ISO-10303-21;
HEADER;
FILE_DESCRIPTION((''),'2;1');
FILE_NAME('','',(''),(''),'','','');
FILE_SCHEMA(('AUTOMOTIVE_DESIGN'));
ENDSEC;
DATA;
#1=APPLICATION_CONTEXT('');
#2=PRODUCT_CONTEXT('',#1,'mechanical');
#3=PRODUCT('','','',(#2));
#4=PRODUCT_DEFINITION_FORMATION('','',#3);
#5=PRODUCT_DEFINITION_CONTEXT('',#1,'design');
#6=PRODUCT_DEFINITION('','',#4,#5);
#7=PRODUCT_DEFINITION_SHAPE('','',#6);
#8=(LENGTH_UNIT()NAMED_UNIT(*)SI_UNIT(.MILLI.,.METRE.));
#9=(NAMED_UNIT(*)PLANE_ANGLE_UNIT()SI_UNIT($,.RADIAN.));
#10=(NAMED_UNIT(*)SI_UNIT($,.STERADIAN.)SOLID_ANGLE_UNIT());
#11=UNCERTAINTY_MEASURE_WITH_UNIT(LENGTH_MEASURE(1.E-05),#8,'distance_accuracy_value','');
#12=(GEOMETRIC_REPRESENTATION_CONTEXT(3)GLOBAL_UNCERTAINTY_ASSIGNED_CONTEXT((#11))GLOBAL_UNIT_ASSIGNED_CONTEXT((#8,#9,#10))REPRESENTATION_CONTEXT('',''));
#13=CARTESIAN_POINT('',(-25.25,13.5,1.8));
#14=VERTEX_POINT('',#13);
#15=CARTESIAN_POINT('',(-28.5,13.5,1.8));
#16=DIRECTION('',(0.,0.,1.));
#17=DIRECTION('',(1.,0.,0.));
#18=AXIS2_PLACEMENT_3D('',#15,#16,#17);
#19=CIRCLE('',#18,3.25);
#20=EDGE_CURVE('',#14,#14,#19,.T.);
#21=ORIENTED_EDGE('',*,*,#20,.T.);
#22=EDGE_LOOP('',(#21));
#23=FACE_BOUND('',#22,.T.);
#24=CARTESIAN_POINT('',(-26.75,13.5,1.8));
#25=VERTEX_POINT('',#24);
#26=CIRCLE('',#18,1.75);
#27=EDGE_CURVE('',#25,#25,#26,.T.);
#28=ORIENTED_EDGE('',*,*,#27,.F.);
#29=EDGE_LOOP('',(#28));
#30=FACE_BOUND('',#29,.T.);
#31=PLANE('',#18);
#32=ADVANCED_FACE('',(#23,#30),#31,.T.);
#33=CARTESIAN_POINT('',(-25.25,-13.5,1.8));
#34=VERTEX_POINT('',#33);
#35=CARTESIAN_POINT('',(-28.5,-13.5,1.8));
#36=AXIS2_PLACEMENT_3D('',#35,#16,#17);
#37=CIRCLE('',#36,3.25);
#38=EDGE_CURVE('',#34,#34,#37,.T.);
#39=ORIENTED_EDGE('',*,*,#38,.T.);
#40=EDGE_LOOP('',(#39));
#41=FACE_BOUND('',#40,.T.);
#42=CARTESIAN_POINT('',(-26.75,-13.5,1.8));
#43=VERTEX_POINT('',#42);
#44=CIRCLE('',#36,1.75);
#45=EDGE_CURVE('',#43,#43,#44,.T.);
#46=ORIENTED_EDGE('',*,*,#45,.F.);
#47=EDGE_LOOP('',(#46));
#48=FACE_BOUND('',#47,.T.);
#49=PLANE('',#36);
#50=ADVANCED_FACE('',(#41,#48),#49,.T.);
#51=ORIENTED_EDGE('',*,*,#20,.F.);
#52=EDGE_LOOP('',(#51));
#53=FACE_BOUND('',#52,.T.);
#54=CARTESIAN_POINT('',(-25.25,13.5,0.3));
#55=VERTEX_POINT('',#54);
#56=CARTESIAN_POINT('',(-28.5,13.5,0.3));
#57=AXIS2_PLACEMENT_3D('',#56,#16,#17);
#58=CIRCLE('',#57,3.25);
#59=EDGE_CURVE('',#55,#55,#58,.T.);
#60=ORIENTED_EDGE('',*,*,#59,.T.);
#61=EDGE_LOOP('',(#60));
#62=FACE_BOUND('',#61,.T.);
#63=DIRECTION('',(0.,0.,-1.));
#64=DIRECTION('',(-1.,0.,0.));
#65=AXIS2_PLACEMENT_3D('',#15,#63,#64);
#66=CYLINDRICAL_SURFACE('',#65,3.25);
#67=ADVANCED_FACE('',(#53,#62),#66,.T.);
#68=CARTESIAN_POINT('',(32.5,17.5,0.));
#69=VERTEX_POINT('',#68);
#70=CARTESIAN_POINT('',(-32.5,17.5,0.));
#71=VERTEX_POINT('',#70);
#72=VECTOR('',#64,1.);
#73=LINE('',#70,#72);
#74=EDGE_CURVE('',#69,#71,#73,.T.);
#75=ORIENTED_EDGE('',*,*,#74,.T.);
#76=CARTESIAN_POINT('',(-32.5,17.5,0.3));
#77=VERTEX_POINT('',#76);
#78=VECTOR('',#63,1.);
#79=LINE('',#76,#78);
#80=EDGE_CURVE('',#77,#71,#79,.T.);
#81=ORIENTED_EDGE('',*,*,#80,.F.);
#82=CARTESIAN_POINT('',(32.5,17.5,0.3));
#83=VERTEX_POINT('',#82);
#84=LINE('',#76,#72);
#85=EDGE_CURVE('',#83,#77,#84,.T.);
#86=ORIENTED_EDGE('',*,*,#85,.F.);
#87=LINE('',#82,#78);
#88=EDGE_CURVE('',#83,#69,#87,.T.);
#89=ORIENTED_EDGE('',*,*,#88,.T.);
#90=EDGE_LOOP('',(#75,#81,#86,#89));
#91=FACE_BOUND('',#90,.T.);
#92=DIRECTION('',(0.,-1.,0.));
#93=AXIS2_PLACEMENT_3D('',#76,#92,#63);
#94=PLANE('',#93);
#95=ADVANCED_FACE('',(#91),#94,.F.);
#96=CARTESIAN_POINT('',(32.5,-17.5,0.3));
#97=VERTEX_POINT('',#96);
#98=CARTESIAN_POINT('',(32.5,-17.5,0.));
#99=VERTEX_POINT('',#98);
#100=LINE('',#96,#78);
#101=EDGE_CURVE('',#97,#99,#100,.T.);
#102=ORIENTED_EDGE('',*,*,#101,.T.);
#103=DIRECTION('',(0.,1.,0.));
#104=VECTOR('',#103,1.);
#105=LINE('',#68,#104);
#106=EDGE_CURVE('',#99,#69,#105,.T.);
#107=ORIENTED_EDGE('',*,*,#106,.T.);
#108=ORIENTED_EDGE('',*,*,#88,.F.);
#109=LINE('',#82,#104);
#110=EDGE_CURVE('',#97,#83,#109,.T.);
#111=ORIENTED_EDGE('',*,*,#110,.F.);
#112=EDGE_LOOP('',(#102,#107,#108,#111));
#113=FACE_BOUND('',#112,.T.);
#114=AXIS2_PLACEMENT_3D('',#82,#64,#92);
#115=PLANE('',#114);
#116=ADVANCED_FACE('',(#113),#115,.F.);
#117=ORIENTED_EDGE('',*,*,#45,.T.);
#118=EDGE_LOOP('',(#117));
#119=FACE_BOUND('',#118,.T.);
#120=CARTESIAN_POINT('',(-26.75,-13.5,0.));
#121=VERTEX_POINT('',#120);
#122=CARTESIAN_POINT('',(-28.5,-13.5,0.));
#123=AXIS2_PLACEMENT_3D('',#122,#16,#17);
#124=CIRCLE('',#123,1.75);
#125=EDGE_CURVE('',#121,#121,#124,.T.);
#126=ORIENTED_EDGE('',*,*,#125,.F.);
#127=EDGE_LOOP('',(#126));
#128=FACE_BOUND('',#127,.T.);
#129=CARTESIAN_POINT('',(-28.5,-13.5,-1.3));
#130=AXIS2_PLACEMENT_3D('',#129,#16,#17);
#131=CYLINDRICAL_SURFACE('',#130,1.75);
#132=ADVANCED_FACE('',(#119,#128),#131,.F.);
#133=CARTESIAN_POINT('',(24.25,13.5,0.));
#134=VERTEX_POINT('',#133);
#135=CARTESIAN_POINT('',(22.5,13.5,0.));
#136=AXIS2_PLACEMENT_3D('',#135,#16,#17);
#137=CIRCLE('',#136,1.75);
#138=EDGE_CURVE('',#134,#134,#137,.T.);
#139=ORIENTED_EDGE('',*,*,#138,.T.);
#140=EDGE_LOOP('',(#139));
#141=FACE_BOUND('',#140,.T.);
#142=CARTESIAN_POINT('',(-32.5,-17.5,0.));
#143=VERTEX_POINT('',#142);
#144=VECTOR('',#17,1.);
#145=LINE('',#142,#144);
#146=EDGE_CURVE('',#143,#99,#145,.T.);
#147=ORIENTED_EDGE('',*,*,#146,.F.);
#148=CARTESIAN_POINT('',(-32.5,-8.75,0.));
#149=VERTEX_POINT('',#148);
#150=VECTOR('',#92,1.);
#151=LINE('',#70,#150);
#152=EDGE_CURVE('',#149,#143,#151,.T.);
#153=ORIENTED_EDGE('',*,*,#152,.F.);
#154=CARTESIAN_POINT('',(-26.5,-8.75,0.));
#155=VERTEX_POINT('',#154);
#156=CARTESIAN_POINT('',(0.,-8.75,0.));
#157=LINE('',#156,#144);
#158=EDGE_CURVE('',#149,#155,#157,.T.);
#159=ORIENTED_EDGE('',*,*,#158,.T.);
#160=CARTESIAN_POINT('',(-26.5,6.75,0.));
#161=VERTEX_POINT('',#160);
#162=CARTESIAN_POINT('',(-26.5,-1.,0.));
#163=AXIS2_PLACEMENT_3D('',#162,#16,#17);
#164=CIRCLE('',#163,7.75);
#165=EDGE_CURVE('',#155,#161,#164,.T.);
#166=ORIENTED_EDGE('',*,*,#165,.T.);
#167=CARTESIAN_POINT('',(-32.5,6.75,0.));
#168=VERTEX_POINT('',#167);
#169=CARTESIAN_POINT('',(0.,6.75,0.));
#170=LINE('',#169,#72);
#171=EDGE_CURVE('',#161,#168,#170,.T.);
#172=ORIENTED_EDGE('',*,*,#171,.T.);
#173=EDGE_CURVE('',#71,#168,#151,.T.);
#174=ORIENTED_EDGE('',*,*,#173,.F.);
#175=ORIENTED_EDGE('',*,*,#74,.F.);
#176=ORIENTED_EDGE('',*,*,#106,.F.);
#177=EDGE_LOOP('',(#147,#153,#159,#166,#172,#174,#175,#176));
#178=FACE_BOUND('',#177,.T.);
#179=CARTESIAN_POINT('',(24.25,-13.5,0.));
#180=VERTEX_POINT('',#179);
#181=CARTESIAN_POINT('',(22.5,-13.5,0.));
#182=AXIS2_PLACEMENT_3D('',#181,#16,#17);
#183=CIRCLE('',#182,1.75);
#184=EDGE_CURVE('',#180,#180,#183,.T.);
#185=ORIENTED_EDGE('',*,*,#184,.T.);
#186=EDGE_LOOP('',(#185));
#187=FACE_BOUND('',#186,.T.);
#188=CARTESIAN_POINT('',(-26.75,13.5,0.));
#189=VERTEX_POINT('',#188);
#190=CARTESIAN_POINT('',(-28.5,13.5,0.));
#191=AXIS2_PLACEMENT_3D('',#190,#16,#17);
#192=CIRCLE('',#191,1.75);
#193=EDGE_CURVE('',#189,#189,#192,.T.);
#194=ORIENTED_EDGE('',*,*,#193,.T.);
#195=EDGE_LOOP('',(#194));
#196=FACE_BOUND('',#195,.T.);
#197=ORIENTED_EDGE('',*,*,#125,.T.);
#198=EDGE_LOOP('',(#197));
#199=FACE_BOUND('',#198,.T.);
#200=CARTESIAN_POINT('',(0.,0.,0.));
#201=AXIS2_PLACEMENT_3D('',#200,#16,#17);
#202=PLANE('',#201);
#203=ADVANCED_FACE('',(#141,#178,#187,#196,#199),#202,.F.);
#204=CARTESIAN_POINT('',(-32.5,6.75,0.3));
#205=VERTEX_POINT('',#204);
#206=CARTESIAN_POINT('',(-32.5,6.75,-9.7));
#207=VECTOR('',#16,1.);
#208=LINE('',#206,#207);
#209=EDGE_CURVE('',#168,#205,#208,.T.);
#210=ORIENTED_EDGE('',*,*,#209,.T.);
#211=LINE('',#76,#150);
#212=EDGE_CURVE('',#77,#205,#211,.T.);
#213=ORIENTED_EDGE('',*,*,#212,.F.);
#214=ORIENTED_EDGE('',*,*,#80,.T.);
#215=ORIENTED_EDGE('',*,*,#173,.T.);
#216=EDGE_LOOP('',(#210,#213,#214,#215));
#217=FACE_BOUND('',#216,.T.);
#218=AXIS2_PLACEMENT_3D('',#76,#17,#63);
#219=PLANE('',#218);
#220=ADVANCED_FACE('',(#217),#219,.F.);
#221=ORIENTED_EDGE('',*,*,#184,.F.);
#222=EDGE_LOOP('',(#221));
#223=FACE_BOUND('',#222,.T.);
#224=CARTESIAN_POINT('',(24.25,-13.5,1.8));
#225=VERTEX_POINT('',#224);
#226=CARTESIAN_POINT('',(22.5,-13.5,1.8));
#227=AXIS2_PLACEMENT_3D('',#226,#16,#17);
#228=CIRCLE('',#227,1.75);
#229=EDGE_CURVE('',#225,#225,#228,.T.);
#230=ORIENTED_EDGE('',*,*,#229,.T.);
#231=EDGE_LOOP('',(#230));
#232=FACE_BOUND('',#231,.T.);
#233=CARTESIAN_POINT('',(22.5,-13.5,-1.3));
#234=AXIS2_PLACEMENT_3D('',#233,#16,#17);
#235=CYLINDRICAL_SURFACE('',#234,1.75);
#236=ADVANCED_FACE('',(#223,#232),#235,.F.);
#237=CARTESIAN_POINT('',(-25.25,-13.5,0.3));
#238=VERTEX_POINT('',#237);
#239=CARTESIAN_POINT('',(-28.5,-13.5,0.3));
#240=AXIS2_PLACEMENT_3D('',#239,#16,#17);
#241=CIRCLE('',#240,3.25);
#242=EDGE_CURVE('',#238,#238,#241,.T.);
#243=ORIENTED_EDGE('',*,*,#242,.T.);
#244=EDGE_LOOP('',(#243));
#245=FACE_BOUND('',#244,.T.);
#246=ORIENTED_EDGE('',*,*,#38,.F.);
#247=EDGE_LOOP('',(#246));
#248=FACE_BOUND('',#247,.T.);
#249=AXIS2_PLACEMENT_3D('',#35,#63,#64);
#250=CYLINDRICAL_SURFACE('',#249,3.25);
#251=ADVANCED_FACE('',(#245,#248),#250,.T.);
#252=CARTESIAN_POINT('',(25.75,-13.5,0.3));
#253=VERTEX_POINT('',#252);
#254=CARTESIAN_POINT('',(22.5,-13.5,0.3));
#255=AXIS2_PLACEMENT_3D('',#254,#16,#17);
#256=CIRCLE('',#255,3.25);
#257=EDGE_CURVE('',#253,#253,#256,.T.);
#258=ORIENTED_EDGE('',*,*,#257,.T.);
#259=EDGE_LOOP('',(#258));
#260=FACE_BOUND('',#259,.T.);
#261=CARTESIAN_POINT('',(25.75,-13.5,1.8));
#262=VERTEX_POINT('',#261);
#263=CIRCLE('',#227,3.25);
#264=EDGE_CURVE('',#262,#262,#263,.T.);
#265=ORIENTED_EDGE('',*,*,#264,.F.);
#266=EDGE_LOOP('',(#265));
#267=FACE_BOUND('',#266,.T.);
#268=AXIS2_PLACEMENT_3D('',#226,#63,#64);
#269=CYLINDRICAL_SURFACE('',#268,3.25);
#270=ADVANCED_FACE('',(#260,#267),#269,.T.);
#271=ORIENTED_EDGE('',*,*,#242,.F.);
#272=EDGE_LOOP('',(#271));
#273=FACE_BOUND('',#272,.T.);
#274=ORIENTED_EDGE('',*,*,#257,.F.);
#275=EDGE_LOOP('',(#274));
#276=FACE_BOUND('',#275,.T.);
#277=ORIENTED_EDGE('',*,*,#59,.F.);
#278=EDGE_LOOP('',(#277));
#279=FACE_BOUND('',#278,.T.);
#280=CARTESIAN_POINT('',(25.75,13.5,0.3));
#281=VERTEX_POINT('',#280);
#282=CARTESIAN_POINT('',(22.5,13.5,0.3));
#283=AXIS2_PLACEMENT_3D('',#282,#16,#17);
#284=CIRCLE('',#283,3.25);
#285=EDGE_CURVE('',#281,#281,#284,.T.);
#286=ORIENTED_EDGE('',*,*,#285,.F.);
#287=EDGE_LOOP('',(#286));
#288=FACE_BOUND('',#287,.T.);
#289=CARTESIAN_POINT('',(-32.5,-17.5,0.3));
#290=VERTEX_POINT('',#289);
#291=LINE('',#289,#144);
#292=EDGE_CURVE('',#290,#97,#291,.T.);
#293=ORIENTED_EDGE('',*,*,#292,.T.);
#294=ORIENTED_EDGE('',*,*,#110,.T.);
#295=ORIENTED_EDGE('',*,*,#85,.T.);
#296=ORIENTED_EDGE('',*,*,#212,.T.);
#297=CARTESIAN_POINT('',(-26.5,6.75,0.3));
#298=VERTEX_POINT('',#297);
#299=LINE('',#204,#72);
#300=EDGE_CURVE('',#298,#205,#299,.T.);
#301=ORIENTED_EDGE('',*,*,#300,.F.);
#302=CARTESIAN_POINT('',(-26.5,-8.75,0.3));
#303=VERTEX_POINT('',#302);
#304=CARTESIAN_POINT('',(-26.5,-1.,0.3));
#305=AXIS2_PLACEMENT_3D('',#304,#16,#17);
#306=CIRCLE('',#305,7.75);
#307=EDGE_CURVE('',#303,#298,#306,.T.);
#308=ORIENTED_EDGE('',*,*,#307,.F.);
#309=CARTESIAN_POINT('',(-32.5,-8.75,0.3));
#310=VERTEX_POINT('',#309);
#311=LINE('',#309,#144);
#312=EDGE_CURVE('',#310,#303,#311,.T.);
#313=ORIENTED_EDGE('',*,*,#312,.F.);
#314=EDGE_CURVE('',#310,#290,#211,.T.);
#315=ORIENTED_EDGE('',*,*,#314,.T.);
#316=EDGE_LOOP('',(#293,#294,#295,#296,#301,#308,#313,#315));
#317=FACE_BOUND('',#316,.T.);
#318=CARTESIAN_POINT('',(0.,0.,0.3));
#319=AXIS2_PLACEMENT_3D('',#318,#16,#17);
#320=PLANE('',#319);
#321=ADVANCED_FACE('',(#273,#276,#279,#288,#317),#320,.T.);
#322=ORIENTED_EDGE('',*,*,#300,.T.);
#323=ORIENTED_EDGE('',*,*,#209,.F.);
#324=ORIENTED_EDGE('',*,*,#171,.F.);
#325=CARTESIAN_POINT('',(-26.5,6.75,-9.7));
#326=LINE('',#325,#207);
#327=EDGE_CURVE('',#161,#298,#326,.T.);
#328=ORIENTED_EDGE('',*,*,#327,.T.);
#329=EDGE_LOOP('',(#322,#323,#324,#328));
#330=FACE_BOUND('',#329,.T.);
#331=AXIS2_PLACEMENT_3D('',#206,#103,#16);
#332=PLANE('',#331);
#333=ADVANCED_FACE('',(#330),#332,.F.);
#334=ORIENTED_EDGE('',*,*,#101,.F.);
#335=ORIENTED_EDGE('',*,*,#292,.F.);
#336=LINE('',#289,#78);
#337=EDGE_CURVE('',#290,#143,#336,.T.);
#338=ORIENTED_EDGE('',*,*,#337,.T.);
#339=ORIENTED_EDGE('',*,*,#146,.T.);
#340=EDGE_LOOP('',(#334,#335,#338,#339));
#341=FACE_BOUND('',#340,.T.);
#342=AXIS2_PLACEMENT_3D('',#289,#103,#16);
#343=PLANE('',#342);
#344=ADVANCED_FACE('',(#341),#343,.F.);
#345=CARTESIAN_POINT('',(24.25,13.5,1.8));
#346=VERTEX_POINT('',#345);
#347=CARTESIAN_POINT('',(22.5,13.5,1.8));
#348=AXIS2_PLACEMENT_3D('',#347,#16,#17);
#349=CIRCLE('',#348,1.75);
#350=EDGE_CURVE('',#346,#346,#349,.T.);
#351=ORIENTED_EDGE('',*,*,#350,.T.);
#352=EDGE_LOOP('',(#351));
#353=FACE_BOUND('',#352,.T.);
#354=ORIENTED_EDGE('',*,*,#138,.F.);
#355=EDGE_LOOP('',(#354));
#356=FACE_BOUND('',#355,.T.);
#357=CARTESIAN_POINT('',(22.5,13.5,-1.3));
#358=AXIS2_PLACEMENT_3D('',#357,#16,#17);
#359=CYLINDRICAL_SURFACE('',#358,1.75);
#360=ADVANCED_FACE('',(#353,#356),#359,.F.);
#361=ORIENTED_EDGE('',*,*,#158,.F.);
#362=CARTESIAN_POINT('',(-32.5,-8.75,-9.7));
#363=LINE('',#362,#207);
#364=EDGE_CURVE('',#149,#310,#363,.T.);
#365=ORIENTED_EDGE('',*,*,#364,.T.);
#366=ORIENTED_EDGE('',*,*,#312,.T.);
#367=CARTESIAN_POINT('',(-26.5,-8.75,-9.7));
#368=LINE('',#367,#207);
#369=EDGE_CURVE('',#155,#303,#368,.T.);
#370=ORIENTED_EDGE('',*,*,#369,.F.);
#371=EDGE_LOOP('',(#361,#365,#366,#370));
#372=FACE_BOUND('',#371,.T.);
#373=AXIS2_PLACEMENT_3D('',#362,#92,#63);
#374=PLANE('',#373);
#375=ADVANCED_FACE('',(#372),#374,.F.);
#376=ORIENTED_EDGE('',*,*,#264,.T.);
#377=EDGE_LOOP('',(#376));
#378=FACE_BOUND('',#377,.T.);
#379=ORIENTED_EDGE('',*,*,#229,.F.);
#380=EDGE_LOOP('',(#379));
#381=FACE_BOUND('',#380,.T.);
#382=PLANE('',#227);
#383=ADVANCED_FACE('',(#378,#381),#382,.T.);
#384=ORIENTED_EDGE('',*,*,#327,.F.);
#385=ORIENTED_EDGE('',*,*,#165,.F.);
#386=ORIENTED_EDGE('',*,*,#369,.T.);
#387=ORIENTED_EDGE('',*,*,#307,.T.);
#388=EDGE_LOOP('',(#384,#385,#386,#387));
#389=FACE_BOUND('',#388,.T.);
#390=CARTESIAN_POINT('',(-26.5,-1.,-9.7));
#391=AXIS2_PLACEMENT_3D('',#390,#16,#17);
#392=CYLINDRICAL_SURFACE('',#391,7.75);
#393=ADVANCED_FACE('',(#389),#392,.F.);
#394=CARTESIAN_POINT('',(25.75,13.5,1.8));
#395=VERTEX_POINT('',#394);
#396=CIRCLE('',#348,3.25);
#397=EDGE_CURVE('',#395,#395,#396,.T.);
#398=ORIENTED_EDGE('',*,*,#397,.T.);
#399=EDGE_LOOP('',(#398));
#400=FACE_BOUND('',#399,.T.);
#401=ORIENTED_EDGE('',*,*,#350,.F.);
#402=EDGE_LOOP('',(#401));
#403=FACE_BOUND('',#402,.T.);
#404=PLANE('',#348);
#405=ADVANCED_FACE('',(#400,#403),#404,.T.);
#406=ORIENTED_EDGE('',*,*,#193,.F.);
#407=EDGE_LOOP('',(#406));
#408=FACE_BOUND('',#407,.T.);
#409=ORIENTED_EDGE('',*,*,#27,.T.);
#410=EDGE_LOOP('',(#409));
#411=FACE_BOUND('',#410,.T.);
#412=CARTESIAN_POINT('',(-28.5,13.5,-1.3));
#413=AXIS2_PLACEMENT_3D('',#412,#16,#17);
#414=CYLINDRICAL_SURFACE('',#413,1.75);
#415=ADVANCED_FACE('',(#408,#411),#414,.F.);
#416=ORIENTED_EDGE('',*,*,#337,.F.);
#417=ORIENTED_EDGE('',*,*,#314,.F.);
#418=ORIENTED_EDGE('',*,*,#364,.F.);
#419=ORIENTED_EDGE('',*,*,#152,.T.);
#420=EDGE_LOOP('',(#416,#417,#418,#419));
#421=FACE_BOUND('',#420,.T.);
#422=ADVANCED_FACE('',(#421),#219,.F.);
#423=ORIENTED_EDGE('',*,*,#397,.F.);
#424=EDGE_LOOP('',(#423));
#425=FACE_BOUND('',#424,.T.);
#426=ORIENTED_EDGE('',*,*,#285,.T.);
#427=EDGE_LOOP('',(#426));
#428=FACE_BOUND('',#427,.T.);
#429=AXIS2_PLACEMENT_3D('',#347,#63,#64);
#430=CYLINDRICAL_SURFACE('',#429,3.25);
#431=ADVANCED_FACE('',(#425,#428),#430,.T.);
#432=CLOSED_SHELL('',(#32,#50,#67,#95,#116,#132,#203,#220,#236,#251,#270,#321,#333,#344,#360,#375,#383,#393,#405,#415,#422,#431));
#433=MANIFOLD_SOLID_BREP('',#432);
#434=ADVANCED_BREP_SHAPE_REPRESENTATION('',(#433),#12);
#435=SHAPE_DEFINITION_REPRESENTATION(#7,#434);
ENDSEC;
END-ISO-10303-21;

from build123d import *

# Parameters (mm, degrees)
SKETCH2_W           = 65
SKETCH2_H           = 35
BOSS_EXTRUDE1_DEPTH = 0.3
SKETCH3_R           = 1.75
CUT_EXTRUDE1_DEPTH  = 1.6
SKETCH4_R           = 3.25
SKETCH4_R_2         = 1.75
BOSS_EXTRUDE2_DEPTH = 1.5
CUT_EXTRUDE2_DEPTH  = 10


with BuildPart() as part:
    # Sketch2 → Boss-Extrude1 (new body)
    with BuildSketch(Plane.XY):
        Rectangle(SKETCH2_W, SKETCH2_H)
    extrude(amount=BOSS_EXTRUDE1_DEPTH)

    # Sketch3 → Cut-Extrude1 (cut)
    with BuildSketch(Plane.XY.offset(0.3)):
        with Locations((-28.5, 13.5)):
            Circle(SKETCH3_R)
        with Locations((-28.5, -13.5)):
            Circle(SKETCH3_R)
        with Locations((22.5, 13.5)):
            Circle(SKETCH3_R)
        with Locations((22.5, -13.5)):
            Circle(SKETCH3_R)
    extrude(amount=-CUT_EXTRUDE1_DEPTH, mode=Mode.SUBTRACT)

    # Sketch4 → Boss-Extrude2 (add)
    with BuildSketch(Plane.XY.offset(0.3)):
        with Locations((-28.5, 13.5)):
            Circle(SKETCH4_R)
        with Locations((-28.5, 13.5)):
            Circle(SKETCH4_R_2, mode=Mode.SUBTRACT)
        with Locations((-28.5, -13.5)):
            Circle(SKETCH4_R)
        with Locations((-28.5, -13.5)):
            Circle(SKETCH4_R_2, mode=Mode.SUBTRACT)
        with Locations((22.5, -13.5)):
            Circle(SKETCH4_R)
        with Locations((22.5, -13.5)):
            Circle(SKETCH4_R_2, mode=Mode.SUBTRACT)
        with Locations((22.5, 13.5)):
            Circle(SKETCH4_R)
        with Locations((22.5, 13.5)):
            Circle(SKETCH4_R_2, mode=Mode.SUBTRACT)
    extrude(amount=BOSS_EXTRUDE2_DEPTH)

    # Sketch5 → Cut-Extrude2 (cut)
    with BuildSketch(Plane.XY.offset(0.3)):
        with BuildLine():
            Line((-32.5, 6.75), (-26.5, 6.75))
            ThreePointArc((-26.5, 6.75), (-18.75, -1), (-26.5, -8.75))
            Line((-26.5, -8.75), (-32.5, -8.75))
            ThreePointArc((-32.5, -8.75), (-40.25, -1), (-32.5, 6.75))
        make_face()
    extrude(amount=-CUT_EXTRUDE2_DEPTH, mode=Mode.SUBTRACT)


solid = part.part
